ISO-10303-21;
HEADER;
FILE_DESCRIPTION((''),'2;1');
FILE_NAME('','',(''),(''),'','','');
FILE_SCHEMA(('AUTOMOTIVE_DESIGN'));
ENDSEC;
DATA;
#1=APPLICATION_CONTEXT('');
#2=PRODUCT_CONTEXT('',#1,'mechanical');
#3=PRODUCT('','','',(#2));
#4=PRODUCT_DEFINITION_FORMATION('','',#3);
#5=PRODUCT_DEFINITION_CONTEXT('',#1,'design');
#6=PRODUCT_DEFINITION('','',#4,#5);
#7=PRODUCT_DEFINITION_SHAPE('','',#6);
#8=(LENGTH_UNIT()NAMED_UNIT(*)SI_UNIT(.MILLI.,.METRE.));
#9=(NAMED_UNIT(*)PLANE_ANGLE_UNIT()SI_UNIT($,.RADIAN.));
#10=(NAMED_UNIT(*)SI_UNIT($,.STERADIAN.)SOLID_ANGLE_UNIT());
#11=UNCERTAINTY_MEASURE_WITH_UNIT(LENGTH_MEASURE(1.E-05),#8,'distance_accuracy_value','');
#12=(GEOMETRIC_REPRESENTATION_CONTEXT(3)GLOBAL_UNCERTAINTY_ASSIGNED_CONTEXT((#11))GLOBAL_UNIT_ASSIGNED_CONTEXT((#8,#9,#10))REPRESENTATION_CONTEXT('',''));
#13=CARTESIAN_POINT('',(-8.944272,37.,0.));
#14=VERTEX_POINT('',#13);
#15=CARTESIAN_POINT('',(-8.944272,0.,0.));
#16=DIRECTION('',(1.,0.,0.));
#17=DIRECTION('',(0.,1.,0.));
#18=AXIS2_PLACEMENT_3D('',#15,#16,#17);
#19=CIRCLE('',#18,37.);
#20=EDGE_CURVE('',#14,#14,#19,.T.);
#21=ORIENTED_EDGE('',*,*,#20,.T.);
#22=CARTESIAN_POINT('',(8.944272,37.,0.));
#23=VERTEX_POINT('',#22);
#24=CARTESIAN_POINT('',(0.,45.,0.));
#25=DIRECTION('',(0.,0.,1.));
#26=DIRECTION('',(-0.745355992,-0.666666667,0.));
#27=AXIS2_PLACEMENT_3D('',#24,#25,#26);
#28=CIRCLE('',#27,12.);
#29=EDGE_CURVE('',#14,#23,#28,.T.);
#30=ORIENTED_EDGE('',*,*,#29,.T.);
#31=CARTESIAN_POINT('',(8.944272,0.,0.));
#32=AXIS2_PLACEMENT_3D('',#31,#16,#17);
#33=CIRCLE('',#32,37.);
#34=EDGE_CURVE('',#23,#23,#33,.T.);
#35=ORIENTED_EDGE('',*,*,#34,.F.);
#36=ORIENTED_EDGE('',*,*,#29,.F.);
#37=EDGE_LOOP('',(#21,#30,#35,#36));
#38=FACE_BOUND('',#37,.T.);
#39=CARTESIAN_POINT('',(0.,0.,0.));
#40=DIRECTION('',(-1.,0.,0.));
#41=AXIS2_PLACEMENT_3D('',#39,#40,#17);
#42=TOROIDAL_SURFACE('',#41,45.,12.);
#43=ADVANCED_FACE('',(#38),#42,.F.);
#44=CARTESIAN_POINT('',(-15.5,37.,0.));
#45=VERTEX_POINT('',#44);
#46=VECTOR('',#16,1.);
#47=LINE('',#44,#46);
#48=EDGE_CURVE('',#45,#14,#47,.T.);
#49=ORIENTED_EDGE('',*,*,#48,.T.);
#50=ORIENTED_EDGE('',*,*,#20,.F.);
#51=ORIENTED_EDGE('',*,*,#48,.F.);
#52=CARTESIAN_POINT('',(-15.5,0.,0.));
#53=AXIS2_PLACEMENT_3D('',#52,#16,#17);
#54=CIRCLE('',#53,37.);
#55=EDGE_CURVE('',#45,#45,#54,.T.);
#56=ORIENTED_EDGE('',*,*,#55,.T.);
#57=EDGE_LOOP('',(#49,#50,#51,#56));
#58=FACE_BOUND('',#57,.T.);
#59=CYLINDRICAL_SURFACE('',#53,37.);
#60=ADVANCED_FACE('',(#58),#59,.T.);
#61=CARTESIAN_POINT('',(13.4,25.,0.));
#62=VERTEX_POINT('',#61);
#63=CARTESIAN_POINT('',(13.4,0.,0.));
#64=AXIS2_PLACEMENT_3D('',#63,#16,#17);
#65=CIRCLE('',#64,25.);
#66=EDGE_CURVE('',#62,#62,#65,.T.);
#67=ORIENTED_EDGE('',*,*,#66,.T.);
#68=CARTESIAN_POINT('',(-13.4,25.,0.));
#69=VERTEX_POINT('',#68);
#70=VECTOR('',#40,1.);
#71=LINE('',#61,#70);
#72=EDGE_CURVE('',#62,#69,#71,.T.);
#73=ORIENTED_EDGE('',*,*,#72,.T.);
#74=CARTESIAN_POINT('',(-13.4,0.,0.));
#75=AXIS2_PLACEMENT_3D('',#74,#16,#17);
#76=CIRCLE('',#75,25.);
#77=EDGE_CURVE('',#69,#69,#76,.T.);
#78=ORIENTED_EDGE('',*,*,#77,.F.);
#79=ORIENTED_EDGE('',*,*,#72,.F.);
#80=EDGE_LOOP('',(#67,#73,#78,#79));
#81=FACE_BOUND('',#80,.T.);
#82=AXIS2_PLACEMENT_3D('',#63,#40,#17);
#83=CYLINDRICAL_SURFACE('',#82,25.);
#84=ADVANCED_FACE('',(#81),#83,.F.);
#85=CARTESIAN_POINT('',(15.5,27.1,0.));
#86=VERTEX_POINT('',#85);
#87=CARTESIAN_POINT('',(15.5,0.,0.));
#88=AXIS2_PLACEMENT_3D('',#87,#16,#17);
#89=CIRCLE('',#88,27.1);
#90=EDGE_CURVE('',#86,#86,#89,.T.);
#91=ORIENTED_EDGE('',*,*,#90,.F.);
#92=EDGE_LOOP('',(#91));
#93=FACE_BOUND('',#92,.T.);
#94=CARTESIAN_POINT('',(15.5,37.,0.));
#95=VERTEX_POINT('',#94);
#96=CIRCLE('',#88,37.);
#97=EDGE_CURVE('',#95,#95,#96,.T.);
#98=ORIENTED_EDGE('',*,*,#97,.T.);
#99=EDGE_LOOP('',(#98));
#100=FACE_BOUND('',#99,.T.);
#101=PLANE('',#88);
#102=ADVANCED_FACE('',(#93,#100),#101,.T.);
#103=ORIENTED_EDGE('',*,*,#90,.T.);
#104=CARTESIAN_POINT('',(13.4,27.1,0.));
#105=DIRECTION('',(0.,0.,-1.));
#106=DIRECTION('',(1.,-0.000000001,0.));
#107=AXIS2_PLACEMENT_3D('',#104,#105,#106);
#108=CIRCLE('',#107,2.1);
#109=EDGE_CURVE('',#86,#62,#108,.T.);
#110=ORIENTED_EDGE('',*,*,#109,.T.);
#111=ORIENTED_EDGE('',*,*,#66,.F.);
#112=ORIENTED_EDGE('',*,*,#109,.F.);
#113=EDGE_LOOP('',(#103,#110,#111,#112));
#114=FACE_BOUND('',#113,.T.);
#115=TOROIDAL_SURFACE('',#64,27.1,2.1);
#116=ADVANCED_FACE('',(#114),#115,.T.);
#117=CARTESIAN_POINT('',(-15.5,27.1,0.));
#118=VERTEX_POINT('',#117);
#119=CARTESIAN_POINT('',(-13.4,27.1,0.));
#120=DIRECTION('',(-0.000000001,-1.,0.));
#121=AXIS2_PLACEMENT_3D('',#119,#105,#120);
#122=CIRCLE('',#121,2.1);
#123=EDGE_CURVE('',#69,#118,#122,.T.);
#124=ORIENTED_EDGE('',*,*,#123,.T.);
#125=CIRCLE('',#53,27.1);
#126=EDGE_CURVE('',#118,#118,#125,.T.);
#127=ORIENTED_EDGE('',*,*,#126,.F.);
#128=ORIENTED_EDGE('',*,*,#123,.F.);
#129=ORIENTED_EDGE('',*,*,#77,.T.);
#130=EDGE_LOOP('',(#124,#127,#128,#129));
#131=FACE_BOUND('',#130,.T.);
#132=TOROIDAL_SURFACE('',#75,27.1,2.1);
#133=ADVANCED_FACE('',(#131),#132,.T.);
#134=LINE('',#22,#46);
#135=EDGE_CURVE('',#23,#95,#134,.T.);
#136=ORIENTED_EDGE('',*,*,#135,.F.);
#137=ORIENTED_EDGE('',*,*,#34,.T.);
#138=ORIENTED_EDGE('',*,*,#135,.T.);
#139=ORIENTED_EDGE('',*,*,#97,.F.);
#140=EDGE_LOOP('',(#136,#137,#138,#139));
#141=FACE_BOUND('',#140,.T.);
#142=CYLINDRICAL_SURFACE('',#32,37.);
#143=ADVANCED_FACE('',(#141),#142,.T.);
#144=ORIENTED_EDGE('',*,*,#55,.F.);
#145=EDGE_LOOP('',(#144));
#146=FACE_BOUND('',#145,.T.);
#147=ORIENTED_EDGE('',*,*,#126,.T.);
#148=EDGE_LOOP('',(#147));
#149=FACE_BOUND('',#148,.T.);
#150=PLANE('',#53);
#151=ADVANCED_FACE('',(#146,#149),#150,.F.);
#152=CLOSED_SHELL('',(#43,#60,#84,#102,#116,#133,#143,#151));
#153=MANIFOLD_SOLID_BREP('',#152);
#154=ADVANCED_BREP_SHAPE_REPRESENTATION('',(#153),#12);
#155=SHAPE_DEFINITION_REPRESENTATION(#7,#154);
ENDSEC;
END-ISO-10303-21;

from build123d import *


with BuildPart() as part:
    # Sketch1 → Revolve1 (revolve)
    with BuildSketch(Plane.XY):
        with BuildLine():
            Line((-15.5, 37), (-8.94427191, 37))
            ThreePointArc((-8.94427191, 37), (0, 33), (8.94427191, 37))
            Line((8.94427191, 37), (15.5, 37))
            Line((15.5, 37), (15.5, 27.1))
            ThreePointArc((15.5, 27.1), (14.88492424, 25.61507576), (13.4, 25))
            Line((13.4, 25), (-13.4, 25))
            ThreePointArc((-13.4, 25), (-14.88492424, 25.61507576), (-15.5, 27.1))
            Line((-15.5, 27.1), (-15.5, 37))
        make_face()
    revolve(axis=Axis((-12.261894954, 0, 0), (1, 0, 0)))


solid = part.part
